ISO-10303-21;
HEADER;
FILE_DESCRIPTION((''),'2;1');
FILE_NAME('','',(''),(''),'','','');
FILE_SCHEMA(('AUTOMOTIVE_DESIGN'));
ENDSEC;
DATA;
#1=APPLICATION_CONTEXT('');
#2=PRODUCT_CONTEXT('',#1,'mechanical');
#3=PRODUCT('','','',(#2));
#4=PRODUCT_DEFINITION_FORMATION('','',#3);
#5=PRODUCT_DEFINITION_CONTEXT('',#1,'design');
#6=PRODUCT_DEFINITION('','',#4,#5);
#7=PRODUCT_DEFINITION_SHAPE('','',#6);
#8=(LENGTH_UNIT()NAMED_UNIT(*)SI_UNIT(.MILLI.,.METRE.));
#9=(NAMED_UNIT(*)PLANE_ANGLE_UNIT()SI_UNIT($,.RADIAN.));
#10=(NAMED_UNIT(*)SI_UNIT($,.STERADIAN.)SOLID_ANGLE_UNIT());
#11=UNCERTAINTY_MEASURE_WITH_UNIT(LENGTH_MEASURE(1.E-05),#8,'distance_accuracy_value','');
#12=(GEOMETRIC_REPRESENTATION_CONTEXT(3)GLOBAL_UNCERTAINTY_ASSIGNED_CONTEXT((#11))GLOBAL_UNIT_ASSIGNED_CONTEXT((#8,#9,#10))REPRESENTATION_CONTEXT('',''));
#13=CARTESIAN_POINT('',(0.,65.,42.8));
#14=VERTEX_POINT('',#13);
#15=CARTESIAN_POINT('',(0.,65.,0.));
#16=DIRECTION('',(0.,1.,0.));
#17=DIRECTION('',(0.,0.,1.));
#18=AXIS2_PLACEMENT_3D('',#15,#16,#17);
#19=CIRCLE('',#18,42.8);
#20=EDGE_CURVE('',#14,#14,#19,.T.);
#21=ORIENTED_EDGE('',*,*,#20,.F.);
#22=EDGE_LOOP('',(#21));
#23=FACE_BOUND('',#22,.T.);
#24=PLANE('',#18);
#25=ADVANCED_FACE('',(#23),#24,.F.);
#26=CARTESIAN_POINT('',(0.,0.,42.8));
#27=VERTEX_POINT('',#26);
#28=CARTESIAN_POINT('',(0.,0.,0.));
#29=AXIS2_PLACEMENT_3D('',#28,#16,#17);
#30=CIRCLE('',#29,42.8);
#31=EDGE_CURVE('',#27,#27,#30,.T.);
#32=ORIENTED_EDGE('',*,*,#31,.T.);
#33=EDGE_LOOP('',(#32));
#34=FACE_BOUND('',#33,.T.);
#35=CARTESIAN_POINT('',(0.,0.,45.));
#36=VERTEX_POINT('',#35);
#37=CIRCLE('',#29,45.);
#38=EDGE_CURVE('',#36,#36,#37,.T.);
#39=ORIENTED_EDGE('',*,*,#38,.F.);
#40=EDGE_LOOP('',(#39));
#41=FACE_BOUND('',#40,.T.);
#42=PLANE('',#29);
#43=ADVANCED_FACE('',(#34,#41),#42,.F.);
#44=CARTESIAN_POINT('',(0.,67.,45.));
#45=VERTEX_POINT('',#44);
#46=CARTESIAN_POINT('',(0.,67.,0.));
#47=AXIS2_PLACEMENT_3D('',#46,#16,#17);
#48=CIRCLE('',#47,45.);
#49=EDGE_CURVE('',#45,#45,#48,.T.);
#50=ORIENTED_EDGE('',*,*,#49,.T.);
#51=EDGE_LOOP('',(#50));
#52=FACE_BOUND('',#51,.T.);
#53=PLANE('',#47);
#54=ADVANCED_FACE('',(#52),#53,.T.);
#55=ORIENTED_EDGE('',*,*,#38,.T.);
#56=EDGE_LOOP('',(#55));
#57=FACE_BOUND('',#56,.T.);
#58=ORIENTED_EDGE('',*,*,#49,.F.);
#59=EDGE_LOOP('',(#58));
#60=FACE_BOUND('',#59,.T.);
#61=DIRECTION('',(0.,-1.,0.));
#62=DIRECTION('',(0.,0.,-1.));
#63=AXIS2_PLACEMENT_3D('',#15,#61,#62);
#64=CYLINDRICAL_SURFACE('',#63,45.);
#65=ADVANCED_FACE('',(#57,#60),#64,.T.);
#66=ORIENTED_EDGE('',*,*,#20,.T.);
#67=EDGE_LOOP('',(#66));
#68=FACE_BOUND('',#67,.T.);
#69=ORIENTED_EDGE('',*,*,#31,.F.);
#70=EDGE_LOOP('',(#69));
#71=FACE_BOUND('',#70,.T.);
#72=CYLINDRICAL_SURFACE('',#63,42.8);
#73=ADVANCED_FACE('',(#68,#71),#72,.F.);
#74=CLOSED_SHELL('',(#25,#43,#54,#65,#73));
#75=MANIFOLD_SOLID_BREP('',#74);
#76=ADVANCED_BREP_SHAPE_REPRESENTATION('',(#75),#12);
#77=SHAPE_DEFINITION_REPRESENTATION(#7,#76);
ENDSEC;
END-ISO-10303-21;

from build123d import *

# Parameters (mm, degrees)
CROQUIS1_R              = 45
CROQUIS1_R_2            = 42.8
SALIENTE_EXTRUIR1_DEPTH = 65
CROQUIS2_R              = 45
SALIENTE_EXTRUIR2_DEPTH = 2


with BuildPart() as part:
    # Croquis1 → Saliente-Extruir1 (new body)
    with BuildSketch(Plane(origin=(0, 0, 0), x_dir=(1, 0, 0), z_dir=(0, 1, 0))):
        Circle(CROQUIS1_R)
        Circle(CROQUIS1_R_2, mode=Mode.SUBTRACT)
    extrude(amount=SALIENTE_EXTRUIR1_DEPTH)

    # Croquis2 → Saliente-Extruir2 (add)
    with BuildSketch(Plane(origin=(0, 65, 0), x_dir=(1, 0, 0), z_dir=(0, 1, 0))):
        Circle(CROQUIS2_R)
    extrude(amount=SALIENTE_EXTRUIR2_DEPTH)


solid = part.part
